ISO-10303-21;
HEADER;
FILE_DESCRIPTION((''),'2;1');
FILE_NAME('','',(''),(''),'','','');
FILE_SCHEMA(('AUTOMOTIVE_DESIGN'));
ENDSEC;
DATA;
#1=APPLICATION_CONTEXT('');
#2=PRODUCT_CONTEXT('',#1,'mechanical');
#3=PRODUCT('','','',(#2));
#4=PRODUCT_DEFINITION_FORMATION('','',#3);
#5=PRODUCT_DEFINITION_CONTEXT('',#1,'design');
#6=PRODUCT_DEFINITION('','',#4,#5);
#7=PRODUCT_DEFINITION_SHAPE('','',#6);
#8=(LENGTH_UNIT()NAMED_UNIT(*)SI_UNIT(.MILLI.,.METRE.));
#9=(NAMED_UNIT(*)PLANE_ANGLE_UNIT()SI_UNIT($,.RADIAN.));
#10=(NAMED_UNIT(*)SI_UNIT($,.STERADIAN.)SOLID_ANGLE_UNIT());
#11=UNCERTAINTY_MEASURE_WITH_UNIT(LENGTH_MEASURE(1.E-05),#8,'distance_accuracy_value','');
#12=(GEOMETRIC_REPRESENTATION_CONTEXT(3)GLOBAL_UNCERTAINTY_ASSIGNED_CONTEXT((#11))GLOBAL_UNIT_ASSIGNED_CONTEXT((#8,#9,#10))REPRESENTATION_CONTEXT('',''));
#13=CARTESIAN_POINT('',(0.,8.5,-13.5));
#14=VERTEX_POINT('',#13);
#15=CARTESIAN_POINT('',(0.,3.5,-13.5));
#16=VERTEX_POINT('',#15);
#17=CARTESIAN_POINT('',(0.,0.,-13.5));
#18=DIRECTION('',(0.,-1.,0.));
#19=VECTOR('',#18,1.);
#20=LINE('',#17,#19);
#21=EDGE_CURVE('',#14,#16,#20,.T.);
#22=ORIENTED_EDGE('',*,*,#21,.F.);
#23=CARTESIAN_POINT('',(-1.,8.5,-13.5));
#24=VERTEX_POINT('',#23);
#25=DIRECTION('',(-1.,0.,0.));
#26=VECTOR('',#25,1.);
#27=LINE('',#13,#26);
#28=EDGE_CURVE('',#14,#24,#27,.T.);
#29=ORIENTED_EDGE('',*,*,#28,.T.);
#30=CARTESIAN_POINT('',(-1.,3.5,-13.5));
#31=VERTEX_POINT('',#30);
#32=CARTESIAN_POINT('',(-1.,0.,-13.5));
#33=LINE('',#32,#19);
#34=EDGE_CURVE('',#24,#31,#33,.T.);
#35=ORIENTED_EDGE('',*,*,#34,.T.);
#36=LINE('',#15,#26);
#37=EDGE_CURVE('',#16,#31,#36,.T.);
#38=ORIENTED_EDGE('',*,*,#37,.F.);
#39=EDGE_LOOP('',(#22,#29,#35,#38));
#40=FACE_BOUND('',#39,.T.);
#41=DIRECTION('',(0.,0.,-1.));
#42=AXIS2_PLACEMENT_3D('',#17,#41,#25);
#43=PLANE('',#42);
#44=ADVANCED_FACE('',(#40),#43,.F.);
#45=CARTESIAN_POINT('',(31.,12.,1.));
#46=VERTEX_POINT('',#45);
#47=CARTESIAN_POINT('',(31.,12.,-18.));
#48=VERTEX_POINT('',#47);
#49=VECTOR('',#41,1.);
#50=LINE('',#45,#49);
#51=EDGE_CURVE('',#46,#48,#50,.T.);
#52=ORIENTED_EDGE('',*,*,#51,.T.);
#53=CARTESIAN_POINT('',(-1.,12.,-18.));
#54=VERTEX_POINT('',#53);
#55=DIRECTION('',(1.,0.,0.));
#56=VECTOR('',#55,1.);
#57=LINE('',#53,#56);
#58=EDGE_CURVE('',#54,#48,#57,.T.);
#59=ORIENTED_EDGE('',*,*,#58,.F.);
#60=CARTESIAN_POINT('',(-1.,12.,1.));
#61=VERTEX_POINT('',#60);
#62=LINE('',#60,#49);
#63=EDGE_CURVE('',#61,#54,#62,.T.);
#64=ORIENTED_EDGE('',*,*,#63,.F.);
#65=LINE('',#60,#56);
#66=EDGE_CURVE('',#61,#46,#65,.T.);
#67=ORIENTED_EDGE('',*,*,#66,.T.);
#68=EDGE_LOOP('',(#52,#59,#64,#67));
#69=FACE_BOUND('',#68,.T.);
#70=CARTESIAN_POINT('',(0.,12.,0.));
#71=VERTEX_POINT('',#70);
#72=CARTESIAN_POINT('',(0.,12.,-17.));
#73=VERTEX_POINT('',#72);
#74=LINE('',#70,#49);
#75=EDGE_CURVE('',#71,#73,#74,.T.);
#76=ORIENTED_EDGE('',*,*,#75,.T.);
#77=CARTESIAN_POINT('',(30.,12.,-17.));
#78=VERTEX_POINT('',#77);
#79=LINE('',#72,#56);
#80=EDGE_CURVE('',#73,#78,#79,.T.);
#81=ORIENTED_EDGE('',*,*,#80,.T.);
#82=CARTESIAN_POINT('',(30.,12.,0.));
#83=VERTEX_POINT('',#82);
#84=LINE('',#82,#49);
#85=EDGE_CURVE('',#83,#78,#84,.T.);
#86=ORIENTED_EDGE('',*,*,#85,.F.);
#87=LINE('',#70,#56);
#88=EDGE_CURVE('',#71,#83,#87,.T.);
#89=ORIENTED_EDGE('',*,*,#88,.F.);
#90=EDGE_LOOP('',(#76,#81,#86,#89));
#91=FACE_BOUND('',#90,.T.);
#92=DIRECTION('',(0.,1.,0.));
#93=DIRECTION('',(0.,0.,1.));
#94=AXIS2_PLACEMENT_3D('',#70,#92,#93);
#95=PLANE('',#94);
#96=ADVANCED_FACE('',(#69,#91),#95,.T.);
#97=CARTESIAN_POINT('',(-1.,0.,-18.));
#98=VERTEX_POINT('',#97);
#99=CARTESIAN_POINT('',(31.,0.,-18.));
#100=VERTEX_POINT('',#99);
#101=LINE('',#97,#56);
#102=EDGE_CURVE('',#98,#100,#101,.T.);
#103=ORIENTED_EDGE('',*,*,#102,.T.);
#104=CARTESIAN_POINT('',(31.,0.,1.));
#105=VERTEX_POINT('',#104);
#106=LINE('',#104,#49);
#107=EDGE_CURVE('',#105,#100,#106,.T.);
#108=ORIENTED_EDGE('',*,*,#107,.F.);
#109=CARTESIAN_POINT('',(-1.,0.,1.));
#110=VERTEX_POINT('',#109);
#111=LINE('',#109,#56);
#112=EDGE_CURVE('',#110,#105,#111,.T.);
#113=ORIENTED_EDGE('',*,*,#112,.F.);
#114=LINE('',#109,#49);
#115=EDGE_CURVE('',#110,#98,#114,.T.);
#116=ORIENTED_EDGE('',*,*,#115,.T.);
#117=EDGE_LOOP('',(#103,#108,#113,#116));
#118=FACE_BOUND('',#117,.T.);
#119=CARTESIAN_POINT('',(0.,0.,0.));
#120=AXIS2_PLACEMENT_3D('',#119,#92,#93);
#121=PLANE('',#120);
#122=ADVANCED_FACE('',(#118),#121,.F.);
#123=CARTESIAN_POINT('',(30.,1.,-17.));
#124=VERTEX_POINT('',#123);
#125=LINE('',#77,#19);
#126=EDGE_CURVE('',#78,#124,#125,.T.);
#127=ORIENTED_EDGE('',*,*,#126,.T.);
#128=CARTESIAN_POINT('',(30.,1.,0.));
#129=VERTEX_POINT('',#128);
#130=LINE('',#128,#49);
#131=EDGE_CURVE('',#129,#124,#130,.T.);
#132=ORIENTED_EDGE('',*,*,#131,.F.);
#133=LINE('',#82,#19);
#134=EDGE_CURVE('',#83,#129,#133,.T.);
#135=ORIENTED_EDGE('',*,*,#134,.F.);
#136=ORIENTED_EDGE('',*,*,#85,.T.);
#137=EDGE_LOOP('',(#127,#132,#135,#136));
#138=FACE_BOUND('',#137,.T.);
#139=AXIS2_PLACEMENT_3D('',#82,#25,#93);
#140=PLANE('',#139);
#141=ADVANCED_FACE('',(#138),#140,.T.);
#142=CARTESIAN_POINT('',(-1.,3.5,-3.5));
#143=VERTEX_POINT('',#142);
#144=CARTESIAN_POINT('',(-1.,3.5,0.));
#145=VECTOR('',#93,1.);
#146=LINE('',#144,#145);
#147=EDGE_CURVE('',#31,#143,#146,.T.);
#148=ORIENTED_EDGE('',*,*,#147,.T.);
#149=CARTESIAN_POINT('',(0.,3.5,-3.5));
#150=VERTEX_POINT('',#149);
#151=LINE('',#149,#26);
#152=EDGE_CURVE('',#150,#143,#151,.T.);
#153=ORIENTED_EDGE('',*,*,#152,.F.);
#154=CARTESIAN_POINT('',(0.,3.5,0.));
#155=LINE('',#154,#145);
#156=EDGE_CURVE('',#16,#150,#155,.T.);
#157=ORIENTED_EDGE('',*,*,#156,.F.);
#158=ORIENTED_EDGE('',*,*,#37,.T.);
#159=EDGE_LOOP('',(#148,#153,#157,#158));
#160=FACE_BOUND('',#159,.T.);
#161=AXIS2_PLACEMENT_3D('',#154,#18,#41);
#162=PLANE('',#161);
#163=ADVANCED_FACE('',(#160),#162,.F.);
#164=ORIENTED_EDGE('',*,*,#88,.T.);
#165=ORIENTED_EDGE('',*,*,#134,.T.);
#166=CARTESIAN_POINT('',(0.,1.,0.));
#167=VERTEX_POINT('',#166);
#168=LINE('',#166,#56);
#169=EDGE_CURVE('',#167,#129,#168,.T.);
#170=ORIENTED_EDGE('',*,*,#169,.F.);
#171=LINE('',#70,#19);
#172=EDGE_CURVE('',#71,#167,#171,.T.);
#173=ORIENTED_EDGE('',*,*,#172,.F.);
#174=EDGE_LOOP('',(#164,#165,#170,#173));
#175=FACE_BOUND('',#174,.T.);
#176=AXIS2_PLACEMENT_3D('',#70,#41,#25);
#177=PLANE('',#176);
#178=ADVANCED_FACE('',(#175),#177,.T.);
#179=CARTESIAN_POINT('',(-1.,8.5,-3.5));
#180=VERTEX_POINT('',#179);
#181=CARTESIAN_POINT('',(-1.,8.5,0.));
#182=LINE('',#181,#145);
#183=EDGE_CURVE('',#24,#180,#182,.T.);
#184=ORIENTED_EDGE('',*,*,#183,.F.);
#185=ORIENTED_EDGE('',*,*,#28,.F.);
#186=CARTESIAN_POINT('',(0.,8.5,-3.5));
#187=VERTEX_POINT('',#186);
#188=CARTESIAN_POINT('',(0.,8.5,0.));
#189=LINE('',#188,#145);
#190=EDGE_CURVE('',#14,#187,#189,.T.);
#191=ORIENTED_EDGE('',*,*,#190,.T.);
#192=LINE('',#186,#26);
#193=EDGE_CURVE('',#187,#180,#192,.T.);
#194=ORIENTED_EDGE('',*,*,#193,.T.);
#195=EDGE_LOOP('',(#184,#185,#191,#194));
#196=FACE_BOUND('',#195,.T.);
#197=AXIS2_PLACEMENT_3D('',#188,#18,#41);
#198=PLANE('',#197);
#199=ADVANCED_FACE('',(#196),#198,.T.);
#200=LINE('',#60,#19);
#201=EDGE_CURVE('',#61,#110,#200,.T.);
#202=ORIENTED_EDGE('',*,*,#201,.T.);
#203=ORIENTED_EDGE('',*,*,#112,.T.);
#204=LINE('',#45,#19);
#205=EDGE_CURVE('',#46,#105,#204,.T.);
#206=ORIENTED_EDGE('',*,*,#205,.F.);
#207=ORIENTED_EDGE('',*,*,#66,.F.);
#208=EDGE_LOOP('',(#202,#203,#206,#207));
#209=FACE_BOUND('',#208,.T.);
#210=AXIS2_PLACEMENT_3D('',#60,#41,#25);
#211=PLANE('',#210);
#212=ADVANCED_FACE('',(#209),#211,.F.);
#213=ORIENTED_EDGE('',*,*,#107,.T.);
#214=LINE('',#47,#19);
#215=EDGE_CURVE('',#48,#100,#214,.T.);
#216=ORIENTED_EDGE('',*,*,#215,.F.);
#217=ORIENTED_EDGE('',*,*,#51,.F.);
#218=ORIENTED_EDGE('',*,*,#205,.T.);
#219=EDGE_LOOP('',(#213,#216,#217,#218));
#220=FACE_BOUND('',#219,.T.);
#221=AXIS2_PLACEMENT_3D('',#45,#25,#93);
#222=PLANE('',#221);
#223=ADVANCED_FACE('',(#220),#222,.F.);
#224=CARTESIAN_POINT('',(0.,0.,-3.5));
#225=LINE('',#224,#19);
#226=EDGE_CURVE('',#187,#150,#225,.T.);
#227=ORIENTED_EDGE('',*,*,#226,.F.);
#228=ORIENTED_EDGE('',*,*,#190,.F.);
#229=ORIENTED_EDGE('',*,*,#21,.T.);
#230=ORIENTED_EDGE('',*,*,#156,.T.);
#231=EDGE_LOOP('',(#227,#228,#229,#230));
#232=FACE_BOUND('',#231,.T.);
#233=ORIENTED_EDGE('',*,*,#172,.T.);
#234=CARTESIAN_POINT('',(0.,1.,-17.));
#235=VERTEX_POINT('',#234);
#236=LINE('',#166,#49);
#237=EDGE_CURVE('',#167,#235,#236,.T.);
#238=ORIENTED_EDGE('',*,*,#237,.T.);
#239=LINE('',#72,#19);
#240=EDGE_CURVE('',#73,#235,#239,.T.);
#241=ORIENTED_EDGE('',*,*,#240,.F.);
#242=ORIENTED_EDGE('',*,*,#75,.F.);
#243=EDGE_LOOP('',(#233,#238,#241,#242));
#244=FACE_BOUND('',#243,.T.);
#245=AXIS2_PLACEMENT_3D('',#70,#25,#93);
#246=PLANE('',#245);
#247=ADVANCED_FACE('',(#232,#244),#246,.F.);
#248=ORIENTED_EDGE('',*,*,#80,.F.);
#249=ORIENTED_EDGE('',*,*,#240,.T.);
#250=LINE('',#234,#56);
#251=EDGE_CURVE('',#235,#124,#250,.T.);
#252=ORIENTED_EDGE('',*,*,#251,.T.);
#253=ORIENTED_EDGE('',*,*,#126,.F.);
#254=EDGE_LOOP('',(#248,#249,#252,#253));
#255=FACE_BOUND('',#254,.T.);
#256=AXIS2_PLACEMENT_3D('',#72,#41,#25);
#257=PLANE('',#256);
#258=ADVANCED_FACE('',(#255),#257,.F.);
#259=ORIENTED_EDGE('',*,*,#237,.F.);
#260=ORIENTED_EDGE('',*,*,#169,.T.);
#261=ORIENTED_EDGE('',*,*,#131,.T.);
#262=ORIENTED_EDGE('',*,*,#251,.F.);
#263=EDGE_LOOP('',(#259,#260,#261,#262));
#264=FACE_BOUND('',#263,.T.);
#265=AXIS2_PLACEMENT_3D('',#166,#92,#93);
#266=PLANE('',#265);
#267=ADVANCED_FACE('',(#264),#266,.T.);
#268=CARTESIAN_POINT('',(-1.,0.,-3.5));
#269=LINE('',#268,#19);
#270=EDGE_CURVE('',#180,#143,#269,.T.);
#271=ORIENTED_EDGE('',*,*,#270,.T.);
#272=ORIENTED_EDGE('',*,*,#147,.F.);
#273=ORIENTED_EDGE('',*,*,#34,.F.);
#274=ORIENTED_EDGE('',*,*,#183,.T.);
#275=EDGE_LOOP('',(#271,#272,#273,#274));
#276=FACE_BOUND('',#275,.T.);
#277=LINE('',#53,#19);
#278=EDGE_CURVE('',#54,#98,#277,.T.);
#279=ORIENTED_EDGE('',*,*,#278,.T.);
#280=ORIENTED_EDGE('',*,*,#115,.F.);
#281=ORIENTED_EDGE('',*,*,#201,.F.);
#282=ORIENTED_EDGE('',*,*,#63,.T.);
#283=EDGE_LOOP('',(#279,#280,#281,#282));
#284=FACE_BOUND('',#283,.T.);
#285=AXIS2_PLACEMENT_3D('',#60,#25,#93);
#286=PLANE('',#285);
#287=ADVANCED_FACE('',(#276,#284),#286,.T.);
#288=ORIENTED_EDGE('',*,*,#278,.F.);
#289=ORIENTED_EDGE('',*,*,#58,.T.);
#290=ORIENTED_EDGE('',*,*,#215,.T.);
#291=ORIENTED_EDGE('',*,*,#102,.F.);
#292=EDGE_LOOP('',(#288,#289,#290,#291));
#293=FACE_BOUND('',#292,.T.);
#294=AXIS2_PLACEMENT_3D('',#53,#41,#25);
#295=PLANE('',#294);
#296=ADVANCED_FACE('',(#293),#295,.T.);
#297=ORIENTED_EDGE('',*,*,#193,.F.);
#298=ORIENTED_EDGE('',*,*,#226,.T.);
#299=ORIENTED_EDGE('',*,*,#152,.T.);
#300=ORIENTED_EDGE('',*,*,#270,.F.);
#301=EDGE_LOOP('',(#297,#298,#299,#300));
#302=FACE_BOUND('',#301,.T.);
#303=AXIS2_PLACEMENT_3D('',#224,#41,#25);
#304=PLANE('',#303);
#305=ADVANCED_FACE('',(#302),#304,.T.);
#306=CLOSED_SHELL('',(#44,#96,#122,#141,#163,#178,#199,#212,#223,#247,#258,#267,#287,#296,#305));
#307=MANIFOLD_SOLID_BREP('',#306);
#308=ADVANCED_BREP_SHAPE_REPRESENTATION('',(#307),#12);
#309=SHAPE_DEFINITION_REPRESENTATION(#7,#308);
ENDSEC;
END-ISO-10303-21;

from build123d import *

# Parameters (mm, degrees)
CROQUIS1_W              = 32
CROQUIS1_H              = 19
CROQUIS1_W_2            = 30
CROQUIS1_H_2            = 17
SALIENTE_EXTRUIR1_DEPTH = 12
CROQUIS1_3_W            = 30
CROQUIS1_3_H            = 17
SALIENTE_EXTRUIR2_DEPTH = 1
CROQUIS2_W              = 10
CROQUIS2_H              = 5
CORTAR_EXTRUIR1_DEPTH   = 1


with BuildPart() as part:
    # Croquis1 → Saliente-Extruir1 (new body)
    with BuildSketch(Plane(origin=(0, 0, 0), x_dir=(1, 0, 0), z_dir=(0, 1, 0))):
        with Locations((15, 8.5)):
            Rectangle(CROQUIS1_W, CROQUIS1_H)
        with Locations((15, 8.5)):
            Rectangle(CROQUIS1_W_2, CROQUIS1_H_2, mode=Mode.SUBTRACT)
    extrude(amount=SALIENTE_EXTRUIR1_DEPTH)

    # Croquis1<3> → Saliente-Extruir2 (add)
    with BuildSketch(Plane(origin=(0, 0, 0), x_dir=(1, 0, 0), z_dir=(0, 1, 0))):
        with Locations((15, 8.5)):
            Rectangle(CROQUIS1_3_W, CROQUIS1_3_H)
    extrude(amount=SALIENTE_EXTRUIR2_DEPTH)

    # Croquis2 → Cortar-Extruir1 (cut)
    with BuildSketch(Plane.ZY.offset(1)):
        with Locations((-8.5, 6)):
            Rectangle(CROQUIS2_W, CROQUIS2_H)
    extrude(amount=-CORTAR_EXTRUIR1_DEPTH, mode=Mode.SUBTRACT)


solid = part.part
